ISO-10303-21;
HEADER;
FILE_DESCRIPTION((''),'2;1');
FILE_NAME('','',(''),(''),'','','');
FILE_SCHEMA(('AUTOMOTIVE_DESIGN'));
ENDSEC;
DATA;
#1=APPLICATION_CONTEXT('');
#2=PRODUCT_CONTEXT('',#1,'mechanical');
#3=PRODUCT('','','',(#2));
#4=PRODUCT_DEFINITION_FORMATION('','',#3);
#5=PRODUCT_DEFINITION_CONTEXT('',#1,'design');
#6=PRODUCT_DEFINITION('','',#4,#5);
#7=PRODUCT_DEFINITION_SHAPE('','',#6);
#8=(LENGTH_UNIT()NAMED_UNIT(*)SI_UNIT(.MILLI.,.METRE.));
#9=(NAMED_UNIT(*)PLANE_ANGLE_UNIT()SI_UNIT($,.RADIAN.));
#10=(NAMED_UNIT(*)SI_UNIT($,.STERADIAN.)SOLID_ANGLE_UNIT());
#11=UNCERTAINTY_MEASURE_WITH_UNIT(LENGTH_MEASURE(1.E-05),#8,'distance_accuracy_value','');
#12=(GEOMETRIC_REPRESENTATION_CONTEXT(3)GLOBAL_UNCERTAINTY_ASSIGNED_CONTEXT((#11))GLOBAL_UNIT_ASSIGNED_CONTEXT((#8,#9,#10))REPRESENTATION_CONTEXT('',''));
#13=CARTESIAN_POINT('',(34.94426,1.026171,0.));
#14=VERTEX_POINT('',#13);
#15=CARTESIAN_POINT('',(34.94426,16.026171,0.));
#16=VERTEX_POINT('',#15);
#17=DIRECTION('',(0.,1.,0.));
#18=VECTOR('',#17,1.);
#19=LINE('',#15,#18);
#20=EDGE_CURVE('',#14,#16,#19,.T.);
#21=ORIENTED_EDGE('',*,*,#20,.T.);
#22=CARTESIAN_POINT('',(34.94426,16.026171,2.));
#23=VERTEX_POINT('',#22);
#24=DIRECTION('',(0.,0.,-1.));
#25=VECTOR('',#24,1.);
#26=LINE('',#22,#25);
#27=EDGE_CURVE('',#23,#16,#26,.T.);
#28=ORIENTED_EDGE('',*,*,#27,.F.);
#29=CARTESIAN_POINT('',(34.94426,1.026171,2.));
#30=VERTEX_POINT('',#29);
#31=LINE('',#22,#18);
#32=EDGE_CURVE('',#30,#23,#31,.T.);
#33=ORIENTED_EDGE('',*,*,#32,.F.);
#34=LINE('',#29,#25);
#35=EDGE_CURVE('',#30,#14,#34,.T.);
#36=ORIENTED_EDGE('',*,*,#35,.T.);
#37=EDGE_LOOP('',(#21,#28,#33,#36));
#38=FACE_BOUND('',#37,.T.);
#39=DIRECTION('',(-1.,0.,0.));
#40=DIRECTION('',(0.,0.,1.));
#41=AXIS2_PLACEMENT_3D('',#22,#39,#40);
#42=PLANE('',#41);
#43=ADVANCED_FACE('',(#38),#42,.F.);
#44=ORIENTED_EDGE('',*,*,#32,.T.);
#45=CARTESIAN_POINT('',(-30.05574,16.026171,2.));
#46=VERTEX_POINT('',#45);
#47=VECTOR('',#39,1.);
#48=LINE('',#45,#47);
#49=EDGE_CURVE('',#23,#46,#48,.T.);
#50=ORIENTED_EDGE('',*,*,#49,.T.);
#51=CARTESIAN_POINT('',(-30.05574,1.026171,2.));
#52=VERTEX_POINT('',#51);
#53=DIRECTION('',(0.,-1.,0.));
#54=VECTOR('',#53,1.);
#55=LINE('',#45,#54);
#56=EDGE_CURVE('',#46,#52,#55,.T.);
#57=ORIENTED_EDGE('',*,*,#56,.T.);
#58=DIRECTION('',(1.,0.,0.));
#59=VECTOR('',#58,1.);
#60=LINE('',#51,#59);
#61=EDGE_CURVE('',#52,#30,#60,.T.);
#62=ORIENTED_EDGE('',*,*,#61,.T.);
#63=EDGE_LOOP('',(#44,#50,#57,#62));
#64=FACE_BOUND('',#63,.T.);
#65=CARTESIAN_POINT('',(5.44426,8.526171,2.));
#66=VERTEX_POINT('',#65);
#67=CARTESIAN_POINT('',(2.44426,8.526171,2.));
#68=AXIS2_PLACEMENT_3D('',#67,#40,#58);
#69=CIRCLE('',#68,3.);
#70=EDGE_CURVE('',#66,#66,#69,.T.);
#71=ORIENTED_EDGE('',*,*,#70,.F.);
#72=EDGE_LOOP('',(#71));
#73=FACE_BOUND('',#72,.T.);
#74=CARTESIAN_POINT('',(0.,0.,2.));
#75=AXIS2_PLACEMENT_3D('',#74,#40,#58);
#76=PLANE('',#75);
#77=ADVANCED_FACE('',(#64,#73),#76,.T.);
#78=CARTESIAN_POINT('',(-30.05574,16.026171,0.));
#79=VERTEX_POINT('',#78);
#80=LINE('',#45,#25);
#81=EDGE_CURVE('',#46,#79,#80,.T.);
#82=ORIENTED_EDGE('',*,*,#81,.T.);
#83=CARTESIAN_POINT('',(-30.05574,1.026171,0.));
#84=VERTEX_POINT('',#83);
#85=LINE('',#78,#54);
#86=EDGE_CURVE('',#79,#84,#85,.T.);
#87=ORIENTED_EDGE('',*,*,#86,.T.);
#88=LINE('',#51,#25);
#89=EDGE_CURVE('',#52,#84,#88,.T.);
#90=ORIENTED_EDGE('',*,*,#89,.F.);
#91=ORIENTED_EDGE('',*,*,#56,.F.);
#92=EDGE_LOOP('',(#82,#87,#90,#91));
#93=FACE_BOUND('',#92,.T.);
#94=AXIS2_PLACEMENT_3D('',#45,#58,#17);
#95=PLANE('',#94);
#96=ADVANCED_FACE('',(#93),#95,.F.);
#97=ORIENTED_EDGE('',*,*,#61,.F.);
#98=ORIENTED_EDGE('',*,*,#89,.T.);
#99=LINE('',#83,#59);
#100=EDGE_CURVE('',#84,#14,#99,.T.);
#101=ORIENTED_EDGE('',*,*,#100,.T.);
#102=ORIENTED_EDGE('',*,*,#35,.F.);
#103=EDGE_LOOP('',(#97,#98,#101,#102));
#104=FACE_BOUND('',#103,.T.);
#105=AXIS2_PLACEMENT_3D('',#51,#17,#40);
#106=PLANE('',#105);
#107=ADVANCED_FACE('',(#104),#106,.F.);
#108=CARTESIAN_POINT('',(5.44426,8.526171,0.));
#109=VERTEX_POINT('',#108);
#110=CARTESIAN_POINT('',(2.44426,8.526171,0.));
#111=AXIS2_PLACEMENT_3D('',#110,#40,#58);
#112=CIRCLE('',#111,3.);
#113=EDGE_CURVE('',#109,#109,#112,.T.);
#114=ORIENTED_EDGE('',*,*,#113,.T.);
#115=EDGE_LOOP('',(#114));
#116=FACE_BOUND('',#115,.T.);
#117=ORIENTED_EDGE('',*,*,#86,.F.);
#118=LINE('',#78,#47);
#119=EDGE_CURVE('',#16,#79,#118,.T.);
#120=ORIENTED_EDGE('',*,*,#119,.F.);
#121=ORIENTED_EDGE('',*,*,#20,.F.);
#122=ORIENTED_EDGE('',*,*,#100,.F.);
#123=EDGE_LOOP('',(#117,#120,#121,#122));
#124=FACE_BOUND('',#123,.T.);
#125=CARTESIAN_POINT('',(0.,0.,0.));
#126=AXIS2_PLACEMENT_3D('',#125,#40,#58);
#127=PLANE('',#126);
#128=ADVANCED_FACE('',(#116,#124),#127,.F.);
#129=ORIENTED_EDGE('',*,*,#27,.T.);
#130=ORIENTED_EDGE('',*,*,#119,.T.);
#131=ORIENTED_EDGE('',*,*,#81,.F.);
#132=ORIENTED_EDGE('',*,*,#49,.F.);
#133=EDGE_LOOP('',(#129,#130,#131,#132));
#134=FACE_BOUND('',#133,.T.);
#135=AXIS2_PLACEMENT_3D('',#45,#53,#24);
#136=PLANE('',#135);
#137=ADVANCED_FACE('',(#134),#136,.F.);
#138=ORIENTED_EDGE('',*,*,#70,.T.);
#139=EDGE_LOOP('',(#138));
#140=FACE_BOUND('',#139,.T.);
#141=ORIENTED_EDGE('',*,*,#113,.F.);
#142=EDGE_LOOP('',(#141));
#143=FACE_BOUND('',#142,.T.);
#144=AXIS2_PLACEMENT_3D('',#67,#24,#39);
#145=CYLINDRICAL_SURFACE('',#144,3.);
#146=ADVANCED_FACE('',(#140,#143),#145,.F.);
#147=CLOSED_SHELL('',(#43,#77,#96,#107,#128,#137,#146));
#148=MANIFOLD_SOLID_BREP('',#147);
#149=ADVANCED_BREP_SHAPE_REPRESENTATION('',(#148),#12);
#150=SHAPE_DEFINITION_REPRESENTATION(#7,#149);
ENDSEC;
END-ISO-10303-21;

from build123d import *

# Parameters (mm, degrees)
ESBO_O1_W                = 65
ESBO_O1_H                = 15
ESBO_O1_R                = 3
RESSALTO_EXTRUS_O1_DEPTH = 2


with BuildPart() as part:
    # Esboço1 → Ressalto-extrusão1 (new body)
    with BuildSketch(Plane.XY):
        with Locations((2.444259717, 8.526170799)):
            Rectangle(ESBO_O1_W, ESBO_O1_H)
        with Locations((2.444259717, 8.526170799)):
            Circle(ESBO_O1_R, mode=Mode.SUBTRACT)
    extrude(amount=RESSALTO_EXTRUS_O1_DEPTH)


solid = part.part
